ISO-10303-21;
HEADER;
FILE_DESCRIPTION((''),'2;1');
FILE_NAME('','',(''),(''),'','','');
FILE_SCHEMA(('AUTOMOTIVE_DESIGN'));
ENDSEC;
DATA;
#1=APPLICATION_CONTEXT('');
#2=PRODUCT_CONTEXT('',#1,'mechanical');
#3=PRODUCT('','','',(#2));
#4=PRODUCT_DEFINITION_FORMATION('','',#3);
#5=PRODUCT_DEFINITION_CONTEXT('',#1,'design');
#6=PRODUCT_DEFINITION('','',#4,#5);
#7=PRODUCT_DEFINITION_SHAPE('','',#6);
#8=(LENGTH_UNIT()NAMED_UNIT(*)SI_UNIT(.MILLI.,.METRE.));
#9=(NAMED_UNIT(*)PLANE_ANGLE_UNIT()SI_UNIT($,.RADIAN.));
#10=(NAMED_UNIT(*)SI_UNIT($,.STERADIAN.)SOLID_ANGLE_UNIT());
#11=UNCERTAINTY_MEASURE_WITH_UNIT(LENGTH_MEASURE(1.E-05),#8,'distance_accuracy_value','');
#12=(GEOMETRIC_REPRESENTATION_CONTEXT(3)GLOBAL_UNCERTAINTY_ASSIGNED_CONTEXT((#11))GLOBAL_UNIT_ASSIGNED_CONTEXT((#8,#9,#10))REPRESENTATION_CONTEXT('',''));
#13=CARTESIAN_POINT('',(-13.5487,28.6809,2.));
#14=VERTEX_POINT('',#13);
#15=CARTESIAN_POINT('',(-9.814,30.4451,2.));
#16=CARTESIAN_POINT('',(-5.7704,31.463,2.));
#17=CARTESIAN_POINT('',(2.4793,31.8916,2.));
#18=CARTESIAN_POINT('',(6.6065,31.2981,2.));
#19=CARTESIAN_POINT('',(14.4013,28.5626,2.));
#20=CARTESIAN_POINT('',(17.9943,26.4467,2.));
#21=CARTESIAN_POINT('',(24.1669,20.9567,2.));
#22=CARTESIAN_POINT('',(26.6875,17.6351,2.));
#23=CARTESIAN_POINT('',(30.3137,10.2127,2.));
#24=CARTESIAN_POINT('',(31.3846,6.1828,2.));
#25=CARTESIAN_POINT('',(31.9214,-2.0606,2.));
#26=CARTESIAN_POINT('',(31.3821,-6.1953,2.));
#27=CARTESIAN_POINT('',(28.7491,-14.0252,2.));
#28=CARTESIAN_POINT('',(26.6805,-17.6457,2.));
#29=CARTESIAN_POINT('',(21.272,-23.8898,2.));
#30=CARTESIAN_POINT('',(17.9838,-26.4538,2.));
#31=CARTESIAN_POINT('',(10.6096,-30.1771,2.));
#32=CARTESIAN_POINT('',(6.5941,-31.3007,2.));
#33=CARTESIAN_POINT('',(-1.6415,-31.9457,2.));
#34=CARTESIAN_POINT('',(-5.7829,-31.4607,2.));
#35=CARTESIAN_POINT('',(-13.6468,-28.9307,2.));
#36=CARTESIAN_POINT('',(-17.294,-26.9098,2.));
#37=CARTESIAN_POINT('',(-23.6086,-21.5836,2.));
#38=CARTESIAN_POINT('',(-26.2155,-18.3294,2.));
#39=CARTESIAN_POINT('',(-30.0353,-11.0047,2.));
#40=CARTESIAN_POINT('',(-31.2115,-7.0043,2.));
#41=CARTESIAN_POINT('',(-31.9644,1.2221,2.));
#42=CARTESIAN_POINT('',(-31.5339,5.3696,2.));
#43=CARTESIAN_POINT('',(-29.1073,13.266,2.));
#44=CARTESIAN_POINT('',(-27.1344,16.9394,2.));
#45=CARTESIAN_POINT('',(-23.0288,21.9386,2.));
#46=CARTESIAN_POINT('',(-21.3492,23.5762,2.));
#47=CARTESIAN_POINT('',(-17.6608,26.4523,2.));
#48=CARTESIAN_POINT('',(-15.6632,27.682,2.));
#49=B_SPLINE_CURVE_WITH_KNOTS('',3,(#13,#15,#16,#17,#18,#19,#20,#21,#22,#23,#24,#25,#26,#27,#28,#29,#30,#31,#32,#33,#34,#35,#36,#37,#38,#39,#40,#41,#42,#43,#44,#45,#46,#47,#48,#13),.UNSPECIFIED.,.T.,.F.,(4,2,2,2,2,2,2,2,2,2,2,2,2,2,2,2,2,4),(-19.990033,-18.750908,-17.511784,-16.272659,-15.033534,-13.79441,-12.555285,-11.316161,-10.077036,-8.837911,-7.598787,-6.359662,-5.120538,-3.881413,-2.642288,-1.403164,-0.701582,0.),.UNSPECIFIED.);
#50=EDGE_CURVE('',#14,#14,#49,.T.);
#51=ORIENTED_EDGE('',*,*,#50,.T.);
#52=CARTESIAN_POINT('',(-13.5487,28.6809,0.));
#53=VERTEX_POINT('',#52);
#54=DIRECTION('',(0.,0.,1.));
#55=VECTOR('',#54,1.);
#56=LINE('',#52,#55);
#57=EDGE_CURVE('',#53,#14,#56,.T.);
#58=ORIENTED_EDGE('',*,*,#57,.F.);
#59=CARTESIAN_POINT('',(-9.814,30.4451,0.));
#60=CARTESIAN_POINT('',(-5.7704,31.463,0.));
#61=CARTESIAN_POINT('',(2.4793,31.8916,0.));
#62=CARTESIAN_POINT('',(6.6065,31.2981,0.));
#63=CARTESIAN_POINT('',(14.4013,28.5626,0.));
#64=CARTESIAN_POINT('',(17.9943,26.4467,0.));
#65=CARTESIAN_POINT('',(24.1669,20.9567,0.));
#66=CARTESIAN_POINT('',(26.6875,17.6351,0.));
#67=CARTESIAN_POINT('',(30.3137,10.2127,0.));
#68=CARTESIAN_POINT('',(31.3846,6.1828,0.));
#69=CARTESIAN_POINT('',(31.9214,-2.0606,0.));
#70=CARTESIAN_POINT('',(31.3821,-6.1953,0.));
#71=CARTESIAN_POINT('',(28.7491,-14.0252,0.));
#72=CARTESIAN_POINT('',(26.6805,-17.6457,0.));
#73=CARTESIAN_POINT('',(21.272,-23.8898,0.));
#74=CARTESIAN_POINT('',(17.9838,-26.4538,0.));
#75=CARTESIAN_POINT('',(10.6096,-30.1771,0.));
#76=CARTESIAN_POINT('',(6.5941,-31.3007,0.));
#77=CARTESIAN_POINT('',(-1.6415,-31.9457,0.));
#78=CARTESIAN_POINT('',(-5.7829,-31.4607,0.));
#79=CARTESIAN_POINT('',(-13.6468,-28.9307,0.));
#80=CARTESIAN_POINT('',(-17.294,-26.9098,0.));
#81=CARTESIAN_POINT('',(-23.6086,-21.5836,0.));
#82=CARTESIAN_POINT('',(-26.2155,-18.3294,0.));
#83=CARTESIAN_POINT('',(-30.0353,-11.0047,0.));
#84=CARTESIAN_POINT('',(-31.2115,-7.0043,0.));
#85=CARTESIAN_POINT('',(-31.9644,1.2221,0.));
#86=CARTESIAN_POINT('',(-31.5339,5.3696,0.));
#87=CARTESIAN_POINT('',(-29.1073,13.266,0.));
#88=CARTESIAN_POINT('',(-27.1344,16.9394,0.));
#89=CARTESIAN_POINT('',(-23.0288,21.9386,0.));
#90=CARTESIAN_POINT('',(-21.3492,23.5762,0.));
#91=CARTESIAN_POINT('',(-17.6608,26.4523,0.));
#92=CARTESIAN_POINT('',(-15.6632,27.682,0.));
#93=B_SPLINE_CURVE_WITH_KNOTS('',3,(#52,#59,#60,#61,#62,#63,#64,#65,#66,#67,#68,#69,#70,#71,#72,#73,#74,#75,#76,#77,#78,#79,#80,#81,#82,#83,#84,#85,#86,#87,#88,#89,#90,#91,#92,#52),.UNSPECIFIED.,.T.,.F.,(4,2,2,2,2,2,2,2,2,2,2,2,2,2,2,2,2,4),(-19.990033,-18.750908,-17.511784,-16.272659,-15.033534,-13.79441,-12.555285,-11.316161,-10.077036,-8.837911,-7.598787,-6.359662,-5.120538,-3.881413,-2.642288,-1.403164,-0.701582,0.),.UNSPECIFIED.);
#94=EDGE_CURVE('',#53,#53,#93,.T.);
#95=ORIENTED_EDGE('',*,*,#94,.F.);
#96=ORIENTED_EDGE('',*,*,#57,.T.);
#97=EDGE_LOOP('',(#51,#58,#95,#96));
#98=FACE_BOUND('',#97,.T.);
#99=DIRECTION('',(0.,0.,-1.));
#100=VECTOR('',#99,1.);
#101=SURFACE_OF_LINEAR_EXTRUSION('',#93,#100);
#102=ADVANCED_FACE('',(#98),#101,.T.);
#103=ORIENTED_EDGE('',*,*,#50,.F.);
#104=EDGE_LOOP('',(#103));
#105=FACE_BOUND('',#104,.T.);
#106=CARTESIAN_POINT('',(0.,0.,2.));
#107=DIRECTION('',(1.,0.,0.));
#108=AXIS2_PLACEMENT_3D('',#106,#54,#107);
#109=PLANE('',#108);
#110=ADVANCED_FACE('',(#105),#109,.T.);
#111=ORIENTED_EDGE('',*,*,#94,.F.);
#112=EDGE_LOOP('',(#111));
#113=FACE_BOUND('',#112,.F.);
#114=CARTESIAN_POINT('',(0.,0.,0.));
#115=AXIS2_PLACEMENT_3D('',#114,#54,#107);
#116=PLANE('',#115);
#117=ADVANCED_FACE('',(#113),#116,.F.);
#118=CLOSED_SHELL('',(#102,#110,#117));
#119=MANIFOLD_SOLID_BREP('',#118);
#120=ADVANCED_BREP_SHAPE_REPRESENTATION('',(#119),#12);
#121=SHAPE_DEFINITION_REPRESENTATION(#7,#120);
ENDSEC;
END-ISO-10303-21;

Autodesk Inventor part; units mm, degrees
ref_plane "YZ Plane" through (0, 0, 0) normal (1, 0, 0) x (0, 1, 0)
ref_plane "XZ Plane" through (0, 0, 0) normal (0, 1, 0) x (-1, 0, 0)
ref_plane "XY Plane" through (0, 0, 0) normal (0, 0, 1) x (1, 0, 0)
sketch "Sketch1" plane through (0, 0, 0) normal (0, 0, 1) x (1, 0, 0)
  spline S0 degree 3 poles (-13.5487, 28.6809) (-9.814, 30.4451) (-5.7704, 31.463) (2.4793, 31.8916) (6.6065, 31.2981) (14.4013, 28.5626) (17.9943, 26.4467) (24.1669, 20.9567) (26.6875, 17.6351) (30.3137, 10.2127) (31.3846, 6.1828) (31.9214, -2.0606) (31.3821, -6.1953) (28.7491, -14.0252) (26.6805, -17.6457) (21.272, -23.8898) (17.9838, -26.4538) (10.6096, -30.1771) (6.5941, -31.3007) (-1.6415, -31.9457) (-5.7829, -31.4607) (-13.6468, -28.9307) (-17.294, -26.9098) (-23.6086, -21.5836) (-26.2155, -18.3294) (-30.0353, -11.0047) (-31.2115, -7.0043) (-31.9644, 1.2221) (-31.5339, 5.3696) (-29.1073, 13.266) (-27.1344, 16.9394) (-23.0288, 21.9386) (-21.3492, 23.5762) (-17.6608, 26.4523) (-15.6632, 27.682) (-13.5487, 28.6809) knots -19.990033 -19.990033 -19.990033 -19.990033 -18.750908 -18.750908 -17.511784 -17.511784 -16.272659 -16.272659 -15.033534 -15.033534 -13.79441 -13.79441 -12.555285 -12.555285 -11.316161 -11.316161 -10.077036 -10.077036 -8.837911 -8.837911 -7.598787 -7.598787 -6.359662 -6.359662 -5.120538 -5.120538 -3.881413 -3.881413 -2.642288 -2.642288 -1.403164 -1.403164 -0.701582 -0.701582 0 0 0 0 projected
  point P0 (0, 0)
  point P1 (-13.5487, 28.6809)
  dimension "d0" = 2
extrude "Extrusion1" add sketch "Sketch1" along normal blind 2
properties part number "chutecap2"
